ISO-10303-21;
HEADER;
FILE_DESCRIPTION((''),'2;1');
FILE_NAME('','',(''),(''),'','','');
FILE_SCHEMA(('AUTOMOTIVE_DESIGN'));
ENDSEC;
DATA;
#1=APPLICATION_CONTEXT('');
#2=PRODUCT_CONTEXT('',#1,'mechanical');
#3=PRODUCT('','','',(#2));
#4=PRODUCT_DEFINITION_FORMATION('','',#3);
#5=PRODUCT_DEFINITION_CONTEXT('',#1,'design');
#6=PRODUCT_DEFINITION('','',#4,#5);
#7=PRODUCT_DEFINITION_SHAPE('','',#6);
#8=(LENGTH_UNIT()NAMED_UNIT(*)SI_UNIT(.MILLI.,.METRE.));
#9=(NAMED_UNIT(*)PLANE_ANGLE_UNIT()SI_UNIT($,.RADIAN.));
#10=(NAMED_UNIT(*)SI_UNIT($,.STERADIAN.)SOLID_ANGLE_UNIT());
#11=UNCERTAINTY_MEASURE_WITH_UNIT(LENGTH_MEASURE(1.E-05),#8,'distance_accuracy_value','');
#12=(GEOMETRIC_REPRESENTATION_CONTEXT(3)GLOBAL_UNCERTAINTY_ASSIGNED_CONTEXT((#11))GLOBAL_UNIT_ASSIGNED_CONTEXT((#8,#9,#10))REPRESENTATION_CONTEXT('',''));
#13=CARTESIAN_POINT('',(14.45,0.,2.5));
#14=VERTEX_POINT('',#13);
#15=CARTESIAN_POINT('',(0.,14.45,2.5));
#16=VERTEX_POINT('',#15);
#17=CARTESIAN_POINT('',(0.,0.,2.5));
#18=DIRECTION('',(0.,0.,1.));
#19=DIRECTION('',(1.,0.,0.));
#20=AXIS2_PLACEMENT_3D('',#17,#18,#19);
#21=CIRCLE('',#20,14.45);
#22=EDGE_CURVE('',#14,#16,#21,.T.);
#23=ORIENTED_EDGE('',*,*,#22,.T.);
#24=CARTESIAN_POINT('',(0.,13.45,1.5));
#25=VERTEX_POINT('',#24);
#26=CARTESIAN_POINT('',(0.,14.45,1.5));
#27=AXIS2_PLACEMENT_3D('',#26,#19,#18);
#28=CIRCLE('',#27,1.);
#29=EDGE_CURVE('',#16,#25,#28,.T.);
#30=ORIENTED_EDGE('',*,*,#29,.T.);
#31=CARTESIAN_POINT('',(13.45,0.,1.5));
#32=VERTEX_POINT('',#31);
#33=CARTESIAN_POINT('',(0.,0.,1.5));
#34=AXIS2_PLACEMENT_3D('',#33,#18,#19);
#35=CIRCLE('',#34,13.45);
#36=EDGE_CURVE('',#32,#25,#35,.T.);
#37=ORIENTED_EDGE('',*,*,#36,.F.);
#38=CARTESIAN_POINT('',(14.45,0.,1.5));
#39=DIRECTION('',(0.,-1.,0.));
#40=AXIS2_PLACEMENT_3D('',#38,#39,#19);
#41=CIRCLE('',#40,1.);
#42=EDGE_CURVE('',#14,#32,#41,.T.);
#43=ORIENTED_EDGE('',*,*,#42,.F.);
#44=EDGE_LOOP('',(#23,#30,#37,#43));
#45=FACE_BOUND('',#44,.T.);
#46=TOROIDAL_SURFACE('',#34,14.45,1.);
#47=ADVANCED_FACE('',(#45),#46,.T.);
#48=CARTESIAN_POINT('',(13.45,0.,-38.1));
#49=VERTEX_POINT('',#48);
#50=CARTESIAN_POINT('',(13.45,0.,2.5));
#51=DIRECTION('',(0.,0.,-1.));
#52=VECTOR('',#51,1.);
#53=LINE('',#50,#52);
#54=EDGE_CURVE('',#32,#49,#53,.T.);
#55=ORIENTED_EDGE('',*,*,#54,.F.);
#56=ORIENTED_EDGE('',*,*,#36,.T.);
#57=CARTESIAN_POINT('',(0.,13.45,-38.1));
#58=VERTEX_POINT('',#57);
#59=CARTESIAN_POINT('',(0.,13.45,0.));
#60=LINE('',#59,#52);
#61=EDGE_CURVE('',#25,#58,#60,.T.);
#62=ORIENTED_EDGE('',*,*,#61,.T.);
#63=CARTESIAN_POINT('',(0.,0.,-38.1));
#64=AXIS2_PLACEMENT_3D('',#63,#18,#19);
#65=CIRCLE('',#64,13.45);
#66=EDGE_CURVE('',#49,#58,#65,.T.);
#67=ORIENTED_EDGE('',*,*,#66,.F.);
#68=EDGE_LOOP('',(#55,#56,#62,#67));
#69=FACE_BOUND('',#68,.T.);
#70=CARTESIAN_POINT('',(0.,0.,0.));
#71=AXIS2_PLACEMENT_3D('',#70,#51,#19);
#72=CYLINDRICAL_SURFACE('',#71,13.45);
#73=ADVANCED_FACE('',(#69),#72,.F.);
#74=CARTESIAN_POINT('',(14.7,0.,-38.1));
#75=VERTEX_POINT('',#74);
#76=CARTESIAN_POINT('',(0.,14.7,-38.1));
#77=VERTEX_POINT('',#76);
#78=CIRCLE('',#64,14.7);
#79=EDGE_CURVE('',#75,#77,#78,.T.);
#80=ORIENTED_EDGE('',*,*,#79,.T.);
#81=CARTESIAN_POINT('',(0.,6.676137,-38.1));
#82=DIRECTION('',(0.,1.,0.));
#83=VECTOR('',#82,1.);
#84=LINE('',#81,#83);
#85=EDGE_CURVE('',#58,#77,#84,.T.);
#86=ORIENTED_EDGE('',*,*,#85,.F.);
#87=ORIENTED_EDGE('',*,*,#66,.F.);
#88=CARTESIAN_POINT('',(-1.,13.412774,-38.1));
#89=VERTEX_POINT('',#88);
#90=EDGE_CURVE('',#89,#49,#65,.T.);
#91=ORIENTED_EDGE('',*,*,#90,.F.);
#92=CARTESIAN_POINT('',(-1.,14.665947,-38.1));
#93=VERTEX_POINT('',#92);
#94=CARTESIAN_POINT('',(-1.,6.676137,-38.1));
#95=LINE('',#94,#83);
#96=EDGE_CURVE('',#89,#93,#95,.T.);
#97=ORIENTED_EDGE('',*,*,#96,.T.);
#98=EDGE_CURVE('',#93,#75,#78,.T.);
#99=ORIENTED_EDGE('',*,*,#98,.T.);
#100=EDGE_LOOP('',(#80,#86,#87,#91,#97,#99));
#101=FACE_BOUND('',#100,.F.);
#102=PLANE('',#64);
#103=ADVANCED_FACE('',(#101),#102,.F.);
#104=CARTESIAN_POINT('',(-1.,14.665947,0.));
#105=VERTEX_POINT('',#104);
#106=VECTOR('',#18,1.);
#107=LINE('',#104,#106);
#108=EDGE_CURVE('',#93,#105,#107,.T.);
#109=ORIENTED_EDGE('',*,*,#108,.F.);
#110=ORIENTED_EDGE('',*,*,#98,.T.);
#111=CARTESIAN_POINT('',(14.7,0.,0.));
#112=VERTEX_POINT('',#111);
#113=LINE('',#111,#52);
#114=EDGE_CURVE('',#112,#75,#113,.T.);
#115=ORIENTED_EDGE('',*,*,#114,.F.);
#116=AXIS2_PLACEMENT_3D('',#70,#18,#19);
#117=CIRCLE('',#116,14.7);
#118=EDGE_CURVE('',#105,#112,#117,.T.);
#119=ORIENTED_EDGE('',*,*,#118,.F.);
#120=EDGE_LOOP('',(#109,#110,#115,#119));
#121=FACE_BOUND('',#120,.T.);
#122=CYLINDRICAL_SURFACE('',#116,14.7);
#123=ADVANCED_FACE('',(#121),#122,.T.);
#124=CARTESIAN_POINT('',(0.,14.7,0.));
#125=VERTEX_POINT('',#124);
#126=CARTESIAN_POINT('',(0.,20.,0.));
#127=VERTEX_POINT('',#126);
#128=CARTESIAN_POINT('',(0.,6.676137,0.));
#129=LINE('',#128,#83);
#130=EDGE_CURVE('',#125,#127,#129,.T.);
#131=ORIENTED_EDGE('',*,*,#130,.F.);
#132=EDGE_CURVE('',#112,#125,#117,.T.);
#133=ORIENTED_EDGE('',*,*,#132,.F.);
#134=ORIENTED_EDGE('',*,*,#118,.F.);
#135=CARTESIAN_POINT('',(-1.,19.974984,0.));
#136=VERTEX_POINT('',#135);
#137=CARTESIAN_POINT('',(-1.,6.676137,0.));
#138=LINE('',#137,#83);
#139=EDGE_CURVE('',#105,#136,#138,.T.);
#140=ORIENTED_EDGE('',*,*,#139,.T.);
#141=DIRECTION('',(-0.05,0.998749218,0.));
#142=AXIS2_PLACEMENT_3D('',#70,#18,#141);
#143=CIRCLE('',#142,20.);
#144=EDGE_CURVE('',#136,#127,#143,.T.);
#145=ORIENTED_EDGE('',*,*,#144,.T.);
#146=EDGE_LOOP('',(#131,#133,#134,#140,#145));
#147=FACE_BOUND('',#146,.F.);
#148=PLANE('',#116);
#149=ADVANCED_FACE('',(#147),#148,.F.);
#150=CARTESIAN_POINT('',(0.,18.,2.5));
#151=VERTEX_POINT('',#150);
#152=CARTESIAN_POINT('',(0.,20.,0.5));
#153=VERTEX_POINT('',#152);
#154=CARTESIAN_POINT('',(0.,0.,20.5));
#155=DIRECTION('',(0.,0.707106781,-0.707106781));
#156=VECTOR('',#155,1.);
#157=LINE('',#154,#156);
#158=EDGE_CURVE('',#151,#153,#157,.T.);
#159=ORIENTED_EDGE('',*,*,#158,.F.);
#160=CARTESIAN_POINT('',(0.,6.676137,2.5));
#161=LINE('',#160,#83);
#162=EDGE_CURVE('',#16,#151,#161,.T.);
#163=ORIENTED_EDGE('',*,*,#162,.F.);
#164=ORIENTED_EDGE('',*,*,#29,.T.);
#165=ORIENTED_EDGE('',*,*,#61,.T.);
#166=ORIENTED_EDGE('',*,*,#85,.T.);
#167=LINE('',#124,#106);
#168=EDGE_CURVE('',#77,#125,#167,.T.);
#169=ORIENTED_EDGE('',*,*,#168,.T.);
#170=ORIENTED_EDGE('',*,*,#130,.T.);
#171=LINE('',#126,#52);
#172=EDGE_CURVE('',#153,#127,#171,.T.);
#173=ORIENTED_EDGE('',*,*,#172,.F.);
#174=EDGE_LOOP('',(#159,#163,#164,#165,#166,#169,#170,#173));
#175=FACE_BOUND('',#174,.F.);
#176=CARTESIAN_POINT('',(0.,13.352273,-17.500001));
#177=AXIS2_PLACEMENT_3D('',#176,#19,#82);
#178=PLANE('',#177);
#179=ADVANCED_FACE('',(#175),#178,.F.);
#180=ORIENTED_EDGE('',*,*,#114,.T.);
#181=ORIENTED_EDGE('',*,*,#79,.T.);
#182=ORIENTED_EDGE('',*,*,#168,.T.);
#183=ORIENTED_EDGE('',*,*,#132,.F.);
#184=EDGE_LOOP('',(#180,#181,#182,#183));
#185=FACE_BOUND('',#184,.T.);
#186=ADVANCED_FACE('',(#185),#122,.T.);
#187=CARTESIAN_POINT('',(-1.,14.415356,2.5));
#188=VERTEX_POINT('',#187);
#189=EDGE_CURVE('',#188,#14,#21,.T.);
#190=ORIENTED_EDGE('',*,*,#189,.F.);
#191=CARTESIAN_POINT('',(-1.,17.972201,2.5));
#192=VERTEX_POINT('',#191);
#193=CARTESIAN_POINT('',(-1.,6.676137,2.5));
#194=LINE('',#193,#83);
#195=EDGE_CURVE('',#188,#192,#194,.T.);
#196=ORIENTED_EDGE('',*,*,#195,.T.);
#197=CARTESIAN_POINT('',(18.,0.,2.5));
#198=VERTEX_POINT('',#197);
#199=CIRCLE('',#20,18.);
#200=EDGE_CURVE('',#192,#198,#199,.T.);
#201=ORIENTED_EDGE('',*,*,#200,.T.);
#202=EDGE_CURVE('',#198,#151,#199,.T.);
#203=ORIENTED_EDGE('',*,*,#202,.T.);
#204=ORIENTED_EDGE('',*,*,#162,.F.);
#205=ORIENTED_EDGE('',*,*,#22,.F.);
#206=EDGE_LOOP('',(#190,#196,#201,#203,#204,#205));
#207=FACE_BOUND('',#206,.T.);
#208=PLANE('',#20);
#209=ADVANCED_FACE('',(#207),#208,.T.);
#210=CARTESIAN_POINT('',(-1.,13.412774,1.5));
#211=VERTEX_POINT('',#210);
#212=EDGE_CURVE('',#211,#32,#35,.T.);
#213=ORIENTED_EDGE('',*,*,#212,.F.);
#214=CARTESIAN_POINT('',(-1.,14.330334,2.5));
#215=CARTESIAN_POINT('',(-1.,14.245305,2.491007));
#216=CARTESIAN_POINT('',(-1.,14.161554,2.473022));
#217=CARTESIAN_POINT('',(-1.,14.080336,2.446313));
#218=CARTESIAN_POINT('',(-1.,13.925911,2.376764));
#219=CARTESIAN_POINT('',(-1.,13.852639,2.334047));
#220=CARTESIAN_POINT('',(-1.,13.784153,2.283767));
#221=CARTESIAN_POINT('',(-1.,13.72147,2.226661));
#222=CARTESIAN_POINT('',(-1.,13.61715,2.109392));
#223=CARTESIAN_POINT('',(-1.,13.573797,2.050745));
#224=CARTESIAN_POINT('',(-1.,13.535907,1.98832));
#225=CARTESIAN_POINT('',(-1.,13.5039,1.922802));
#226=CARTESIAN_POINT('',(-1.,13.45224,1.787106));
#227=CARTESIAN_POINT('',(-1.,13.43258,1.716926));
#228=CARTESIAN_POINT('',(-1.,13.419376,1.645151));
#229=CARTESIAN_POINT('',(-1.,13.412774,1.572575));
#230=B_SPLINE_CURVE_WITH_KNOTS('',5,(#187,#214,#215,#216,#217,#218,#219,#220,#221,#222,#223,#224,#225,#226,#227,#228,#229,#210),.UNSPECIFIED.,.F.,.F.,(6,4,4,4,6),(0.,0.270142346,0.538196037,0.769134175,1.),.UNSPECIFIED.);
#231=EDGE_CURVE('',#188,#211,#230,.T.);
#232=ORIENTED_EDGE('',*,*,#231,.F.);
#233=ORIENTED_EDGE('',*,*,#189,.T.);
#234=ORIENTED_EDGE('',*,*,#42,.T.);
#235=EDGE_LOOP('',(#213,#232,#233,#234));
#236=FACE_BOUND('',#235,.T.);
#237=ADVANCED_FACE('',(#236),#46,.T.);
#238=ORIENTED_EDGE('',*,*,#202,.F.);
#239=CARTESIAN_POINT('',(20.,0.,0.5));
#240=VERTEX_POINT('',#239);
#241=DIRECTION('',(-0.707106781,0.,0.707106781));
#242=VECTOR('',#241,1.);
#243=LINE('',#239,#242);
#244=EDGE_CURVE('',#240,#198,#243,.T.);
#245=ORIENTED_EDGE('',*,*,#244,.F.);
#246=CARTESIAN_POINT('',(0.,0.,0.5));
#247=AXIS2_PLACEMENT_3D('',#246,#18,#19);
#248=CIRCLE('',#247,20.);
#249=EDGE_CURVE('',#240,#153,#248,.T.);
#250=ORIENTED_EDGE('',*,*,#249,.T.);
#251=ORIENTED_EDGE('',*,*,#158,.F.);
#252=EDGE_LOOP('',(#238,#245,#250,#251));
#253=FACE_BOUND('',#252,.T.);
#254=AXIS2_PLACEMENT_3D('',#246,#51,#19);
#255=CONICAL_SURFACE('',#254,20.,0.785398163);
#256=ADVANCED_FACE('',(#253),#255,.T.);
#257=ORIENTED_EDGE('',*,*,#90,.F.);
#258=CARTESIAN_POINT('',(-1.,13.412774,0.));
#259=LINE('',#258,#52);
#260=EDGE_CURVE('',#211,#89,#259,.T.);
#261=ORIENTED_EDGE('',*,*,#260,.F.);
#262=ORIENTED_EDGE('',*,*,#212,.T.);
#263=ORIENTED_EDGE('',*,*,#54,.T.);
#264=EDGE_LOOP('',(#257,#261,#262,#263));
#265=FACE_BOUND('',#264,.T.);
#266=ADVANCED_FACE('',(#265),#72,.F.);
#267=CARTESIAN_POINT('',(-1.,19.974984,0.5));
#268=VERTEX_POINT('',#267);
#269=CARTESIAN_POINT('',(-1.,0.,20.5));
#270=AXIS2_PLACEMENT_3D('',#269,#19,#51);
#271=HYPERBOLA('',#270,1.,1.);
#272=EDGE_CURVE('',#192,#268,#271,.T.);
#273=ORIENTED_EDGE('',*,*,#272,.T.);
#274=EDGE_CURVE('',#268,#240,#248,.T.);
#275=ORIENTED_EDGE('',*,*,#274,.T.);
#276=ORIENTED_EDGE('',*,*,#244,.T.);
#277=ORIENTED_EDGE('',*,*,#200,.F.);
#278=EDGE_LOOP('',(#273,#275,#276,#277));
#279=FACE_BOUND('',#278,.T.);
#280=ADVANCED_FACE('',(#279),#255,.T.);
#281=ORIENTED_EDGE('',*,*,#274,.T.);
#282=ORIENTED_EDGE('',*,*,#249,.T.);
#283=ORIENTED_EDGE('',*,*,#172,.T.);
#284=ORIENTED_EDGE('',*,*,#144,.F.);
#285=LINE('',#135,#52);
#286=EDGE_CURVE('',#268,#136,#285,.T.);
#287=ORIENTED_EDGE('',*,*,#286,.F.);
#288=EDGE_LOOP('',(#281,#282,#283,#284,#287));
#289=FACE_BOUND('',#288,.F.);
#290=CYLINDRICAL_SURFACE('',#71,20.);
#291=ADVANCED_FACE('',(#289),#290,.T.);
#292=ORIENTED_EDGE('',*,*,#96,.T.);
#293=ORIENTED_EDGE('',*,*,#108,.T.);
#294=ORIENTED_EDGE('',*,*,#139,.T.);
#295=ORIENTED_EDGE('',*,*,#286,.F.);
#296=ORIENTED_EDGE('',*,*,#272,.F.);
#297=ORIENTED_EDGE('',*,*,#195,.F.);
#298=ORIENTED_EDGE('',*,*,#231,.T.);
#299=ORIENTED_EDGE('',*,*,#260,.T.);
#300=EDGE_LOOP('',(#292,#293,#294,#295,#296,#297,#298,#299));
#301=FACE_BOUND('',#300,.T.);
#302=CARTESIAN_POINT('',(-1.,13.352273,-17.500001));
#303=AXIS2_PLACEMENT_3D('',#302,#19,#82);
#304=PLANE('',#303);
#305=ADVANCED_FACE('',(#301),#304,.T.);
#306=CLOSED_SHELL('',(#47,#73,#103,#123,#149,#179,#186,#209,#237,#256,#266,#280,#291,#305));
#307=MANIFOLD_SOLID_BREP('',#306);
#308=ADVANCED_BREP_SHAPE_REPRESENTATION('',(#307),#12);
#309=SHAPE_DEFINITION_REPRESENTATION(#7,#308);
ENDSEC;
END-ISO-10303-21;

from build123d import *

# Parameters (mm, degrees)
F0_R     = 14.7
F0_R_2   = 13.45
F1_DEPTH = 38.1
F0_R_3   = 20
F2_DEPTH = 2.5
F3_SIZE  = 2
F4_R     = 1
F5_W     = 26.7045460641
F5_H     = 56.1363650486
F6_DEPTH = 1


with BuildPart() as f1:
    # F0 (on Top) → F1 (new body)
    with BuildSketch(Plane.XY):
        Circle(F0_R)
        Circle(F0_R_2, mode=Mode.SUBTRACT)
    extrude(amount=-F1_DEPTH)

    # F0 (on Top) → F2 (join)
    with BuildSketch(Plane.XY):
        Circle(F0_R_3)
        Circle(F0_R, mode=Mode.SUBTRACT)
        Circle(F0_R)
        Circle(F0_R_2, mode=Mode.SUBTRACT)
    extrude(amount=F2_DEPTH)

    # F3
    f3_edges = [f1.edges().sort_by_distance(p)[0] for p in [
        (-20, 0, 2.5),
    ]]
    chamfer(f3_edges, length=F3_SIZE)

    # F4
    f4_edges = [f1.edges().sort_by_distance(p)[0] for p in [
        (-13.45, 0, 2.5),
    ]]
    fillet(f4_edges, radius=F4_R)

    # F5 (on Right) → F6 (cut)
    with BuildSketch(Plane.YZ):
        with Locations((13.3522730321, -17.5000005402)):
            Rectangle(F5_W, F5_H)
    extrude(amount=-F6_DEPTH, mode=Mode.SUBTRACT)


solid = f1.part
